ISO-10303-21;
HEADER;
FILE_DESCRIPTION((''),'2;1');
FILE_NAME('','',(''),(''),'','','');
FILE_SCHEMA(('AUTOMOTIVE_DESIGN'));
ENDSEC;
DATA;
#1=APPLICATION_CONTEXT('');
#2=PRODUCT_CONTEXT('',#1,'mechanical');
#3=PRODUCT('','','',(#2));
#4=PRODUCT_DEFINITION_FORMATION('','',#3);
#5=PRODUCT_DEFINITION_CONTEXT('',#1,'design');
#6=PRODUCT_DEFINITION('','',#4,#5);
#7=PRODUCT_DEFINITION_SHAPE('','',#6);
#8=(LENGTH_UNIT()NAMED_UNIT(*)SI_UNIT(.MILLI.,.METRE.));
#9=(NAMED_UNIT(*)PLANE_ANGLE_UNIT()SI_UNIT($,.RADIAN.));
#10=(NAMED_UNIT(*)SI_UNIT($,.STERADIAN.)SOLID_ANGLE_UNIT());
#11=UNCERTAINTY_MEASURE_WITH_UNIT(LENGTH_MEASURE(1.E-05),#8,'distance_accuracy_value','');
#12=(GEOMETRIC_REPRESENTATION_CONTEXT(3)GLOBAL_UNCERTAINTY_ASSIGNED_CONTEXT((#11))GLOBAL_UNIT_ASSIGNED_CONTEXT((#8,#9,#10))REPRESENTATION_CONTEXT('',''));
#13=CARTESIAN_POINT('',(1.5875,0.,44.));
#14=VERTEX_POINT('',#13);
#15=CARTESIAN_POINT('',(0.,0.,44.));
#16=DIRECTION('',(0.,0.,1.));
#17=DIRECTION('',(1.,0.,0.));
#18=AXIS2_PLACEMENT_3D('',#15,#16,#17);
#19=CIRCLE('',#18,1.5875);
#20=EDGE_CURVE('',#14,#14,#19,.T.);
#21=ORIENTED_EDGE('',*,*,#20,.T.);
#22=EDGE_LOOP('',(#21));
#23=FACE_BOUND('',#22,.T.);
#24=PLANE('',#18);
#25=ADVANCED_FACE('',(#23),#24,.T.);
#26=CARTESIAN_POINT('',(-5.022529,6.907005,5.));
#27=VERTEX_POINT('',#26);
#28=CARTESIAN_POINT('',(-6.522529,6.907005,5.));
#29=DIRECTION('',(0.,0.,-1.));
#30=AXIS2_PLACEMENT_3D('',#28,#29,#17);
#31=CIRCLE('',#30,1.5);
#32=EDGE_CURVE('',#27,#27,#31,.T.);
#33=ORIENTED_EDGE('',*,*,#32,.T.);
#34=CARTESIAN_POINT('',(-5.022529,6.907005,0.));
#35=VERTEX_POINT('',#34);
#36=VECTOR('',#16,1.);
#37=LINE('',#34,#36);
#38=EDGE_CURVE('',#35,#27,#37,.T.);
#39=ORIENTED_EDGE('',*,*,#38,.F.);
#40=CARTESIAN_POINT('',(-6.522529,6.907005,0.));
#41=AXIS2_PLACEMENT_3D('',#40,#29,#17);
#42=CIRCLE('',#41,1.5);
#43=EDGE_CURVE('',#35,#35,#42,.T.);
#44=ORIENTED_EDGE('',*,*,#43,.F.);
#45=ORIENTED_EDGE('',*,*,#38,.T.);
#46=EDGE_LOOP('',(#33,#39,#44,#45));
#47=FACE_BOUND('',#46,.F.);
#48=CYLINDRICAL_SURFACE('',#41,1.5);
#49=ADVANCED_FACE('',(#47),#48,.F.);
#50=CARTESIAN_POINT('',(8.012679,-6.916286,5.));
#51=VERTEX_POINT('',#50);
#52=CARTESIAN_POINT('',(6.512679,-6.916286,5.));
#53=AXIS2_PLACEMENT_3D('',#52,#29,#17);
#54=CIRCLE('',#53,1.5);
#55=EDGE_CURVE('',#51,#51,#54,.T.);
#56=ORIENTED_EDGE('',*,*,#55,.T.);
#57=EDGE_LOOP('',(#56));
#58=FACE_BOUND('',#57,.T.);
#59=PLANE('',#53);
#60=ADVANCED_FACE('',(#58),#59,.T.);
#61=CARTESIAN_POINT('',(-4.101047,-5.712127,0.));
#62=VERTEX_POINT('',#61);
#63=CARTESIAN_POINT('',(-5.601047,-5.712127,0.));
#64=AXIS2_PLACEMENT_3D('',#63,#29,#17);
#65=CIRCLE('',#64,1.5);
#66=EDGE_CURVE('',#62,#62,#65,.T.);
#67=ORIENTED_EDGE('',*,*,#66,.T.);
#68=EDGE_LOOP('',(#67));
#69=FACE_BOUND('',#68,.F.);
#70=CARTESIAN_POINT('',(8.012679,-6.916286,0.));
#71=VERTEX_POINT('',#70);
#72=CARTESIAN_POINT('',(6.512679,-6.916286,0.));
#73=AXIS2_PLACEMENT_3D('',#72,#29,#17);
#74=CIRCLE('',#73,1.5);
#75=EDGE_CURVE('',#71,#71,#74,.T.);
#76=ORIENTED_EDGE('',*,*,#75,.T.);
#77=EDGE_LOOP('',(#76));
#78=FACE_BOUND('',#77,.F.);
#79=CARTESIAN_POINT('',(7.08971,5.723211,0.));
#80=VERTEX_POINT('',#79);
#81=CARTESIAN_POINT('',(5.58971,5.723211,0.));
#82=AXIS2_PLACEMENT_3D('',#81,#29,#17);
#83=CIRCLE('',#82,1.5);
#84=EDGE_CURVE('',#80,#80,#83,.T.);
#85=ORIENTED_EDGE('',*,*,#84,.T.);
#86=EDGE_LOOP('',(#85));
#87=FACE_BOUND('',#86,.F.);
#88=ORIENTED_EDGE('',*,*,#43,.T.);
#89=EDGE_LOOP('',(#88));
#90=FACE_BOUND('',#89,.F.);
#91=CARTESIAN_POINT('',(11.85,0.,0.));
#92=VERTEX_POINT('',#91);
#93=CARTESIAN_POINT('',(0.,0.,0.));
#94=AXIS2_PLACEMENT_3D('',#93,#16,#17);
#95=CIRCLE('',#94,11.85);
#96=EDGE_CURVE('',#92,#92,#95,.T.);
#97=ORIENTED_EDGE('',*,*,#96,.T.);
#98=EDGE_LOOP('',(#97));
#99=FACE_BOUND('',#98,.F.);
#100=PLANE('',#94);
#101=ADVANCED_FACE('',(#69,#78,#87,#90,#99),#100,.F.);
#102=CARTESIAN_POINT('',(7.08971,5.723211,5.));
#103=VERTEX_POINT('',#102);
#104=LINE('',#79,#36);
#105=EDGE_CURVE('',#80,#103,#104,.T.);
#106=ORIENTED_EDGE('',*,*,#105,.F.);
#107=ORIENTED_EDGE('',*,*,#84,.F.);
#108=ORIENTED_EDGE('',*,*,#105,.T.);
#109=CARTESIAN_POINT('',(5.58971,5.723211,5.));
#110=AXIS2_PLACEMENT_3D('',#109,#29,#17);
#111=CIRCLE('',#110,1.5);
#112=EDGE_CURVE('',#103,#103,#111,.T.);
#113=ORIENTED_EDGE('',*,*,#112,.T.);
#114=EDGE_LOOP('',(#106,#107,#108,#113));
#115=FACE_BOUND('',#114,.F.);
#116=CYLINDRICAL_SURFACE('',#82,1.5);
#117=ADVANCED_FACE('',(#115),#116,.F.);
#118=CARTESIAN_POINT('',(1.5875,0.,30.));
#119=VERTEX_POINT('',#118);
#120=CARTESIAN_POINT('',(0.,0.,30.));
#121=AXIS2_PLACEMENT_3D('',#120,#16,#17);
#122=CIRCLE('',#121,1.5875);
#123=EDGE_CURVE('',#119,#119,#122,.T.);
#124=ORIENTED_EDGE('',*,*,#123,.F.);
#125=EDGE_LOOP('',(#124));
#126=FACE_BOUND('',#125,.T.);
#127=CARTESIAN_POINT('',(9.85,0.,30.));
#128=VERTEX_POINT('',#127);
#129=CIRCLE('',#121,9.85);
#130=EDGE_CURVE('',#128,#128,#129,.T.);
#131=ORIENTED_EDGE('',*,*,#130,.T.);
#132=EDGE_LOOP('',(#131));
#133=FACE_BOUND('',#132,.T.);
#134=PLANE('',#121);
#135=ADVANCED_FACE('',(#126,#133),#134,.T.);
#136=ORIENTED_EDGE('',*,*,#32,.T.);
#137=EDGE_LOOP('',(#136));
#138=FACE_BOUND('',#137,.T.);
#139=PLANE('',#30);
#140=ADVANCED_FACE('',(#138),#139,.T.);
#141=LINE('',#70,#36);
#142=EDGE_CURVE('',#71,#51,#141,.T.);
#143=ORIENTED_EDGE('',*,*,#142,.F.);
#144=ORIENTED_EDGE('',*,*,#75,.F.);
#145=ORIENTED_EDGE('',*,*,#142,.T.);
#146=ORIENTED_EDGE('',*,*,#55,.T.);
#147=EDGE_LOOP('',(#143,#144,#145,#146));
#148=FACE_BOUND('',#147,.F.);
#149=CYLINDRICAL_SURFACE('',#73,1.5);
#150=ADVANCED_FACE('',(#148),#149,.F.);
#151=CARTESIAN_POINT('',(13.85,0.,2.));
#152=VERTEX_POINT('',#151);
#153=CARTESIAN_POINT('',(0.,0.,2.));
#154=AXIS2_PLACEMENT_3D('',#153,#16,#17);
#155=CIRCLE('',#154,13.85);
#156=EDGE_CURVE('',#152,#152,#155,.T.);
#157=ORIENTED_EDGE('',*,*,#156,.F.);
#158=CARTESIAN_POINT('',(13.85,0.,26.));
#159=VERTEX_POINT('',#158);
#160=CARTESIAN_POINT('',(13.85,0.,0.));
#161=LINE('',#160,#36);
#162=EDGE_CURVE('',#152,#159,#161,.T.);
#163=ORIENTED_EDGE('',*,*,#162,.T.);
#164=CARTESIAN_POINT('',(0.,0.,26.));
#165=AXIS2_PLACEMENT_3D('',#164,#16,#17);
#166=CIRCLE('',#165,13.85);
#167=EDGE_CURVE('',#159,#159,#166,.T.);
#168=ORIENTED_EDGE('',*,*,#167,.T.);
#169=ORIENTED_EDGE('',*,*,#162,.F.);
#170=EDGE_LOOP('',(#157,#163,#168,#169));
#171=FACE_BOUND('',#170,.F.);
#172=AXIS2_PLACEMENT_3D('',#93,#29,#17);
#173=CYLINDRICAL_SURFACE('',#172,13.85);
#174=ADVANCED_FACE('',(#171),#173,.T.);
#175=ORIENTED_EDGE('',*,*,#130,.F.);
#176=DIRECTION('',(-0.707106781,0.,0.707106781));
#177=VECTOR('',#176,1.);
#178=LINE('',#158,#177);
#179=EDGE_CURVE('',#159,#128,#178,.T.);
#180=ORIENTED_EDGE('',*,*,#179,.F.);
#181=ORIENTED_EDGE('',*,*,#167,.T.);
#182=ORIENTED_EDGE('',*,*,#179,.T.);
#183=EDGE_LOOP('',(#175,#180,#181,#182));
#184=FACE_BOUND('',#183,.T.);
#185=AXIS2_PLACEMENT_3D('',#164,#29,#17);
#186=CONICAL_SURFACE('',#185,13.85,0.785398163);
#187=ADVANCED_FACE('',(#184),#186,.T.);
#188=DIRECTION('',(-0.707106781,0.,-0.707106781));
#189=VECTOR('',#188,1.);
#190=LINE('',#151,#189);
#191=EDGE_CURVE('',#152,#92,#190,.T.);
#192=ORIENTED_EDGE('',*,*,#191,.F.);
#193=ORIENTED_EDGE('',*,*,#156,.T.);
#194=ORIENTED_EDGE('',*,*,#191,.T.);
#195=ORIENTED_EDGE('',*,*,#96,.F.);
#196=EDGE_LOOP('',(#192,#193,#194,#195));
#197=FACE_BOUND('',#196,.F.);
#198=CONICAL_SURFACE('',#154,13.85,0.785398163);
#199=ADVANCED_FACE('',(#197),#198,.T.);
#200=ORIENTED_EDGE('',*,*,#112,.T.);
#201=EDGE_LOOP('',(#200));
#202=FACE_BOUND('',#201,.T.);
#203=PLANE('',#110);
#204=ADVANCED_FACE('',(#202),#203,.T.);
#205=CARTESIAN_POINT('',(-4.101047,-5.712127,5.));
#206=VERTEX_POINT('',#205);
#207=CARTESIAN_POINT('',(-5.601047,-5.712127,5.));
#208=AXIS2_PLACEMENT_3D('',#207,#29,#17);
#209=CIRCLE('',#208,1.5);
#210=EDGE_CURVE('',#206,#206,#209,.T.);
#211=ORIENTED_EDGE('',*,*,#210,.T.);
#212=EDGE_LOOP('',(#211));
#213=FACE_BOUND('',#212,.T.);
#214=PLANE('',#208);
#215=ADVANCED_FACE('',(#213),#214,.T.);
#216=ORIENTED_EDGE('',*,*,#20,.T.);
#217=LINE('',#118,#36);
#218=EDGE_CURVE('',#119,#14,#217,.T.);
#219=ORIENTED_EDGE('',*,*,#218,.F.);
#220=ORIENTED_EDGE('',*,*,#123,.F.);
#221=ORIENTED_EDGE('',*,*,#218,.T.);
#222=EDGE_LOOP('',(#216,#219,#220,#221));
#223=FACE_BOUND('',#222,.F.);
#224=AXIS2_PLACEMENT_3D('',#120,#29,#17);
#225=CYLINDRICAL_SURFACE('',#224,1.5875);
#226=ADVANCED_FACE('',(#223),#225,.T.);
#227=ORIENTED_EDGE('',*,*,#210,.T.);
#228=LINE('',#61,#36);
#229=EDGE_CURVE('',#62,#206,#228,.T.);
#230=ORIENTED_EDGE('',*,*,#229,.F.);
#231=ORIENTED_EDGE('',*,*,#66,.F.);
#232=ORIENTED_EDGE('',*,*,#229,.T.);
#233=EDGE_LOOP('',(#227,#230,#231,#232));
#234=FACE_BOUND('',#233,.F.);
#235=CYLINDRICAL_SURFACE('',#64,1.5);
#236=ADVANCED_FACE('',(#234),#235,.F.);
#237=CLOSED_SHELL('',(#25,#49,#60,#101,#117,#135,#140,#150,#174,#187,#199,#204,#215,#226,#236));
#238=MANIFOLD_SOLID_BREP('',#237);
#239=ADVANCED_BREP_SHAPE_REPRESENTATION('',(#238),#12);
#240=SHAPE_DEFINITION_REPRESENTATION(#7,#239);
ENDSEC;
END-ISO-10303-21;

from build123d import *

# Parameters (mm, degrees)
F0_R     = 13.85
F1_DEPTH = 30
F2_SIZE  = 4
F3_R     = 1.5875
F4_DEPTH = 14
F5_SIZE  = 2
F6_R     = 1.5
F7_DEPTH = 5


with BuildPart() as f1:
    # F0 (on Top) → F1 (new body)
    with BuildSketch(Plane.XY):
        Circle(F0_R)
    extrude(amount=F1_DEPTH)

    # F2
    f2_edges = [f1.edges().sort_by_distance(p)[0] for p in [
        (-13.85, 0, 30),
    ]]
    chamfer(f2_edges, length=F2_SIZE)

    # F3 (on face) → F4 (join)
    with BuildSketch(Plane.XY.offset(30)):
        Circle(F3_R)
    extrude(amount=F4_DEPTH)

    # F5
    f5_edges = [f1.edges().sort_by_distance(p)[0] for p in [
        (-13.85, 0, 0),
    ]]
    chamfer(f5_edges, length=F5_SIZE)

    # F6 (on face) → F7 (cut)
    with BuildSketch(Plane(origin=(0, 0, 0), x_dir=(1, 0, 0), z_dir=(0, 0, -1))):
        with Locations((5.58971, -5.723211)):
            Circle(F6_R)
        with Locations((6.512679, 6.916286)):
            Circle(F6_R)
        with Locations((-5.601047, 5.712127)):
            Circle(F6_R)
        with Locations((-6.522529, -6.907005)):
            Circle(F6_R)
    extrude(amount=-F7_DEPTH, mode=Mode.SUBTRACT)


solid = f1.part
